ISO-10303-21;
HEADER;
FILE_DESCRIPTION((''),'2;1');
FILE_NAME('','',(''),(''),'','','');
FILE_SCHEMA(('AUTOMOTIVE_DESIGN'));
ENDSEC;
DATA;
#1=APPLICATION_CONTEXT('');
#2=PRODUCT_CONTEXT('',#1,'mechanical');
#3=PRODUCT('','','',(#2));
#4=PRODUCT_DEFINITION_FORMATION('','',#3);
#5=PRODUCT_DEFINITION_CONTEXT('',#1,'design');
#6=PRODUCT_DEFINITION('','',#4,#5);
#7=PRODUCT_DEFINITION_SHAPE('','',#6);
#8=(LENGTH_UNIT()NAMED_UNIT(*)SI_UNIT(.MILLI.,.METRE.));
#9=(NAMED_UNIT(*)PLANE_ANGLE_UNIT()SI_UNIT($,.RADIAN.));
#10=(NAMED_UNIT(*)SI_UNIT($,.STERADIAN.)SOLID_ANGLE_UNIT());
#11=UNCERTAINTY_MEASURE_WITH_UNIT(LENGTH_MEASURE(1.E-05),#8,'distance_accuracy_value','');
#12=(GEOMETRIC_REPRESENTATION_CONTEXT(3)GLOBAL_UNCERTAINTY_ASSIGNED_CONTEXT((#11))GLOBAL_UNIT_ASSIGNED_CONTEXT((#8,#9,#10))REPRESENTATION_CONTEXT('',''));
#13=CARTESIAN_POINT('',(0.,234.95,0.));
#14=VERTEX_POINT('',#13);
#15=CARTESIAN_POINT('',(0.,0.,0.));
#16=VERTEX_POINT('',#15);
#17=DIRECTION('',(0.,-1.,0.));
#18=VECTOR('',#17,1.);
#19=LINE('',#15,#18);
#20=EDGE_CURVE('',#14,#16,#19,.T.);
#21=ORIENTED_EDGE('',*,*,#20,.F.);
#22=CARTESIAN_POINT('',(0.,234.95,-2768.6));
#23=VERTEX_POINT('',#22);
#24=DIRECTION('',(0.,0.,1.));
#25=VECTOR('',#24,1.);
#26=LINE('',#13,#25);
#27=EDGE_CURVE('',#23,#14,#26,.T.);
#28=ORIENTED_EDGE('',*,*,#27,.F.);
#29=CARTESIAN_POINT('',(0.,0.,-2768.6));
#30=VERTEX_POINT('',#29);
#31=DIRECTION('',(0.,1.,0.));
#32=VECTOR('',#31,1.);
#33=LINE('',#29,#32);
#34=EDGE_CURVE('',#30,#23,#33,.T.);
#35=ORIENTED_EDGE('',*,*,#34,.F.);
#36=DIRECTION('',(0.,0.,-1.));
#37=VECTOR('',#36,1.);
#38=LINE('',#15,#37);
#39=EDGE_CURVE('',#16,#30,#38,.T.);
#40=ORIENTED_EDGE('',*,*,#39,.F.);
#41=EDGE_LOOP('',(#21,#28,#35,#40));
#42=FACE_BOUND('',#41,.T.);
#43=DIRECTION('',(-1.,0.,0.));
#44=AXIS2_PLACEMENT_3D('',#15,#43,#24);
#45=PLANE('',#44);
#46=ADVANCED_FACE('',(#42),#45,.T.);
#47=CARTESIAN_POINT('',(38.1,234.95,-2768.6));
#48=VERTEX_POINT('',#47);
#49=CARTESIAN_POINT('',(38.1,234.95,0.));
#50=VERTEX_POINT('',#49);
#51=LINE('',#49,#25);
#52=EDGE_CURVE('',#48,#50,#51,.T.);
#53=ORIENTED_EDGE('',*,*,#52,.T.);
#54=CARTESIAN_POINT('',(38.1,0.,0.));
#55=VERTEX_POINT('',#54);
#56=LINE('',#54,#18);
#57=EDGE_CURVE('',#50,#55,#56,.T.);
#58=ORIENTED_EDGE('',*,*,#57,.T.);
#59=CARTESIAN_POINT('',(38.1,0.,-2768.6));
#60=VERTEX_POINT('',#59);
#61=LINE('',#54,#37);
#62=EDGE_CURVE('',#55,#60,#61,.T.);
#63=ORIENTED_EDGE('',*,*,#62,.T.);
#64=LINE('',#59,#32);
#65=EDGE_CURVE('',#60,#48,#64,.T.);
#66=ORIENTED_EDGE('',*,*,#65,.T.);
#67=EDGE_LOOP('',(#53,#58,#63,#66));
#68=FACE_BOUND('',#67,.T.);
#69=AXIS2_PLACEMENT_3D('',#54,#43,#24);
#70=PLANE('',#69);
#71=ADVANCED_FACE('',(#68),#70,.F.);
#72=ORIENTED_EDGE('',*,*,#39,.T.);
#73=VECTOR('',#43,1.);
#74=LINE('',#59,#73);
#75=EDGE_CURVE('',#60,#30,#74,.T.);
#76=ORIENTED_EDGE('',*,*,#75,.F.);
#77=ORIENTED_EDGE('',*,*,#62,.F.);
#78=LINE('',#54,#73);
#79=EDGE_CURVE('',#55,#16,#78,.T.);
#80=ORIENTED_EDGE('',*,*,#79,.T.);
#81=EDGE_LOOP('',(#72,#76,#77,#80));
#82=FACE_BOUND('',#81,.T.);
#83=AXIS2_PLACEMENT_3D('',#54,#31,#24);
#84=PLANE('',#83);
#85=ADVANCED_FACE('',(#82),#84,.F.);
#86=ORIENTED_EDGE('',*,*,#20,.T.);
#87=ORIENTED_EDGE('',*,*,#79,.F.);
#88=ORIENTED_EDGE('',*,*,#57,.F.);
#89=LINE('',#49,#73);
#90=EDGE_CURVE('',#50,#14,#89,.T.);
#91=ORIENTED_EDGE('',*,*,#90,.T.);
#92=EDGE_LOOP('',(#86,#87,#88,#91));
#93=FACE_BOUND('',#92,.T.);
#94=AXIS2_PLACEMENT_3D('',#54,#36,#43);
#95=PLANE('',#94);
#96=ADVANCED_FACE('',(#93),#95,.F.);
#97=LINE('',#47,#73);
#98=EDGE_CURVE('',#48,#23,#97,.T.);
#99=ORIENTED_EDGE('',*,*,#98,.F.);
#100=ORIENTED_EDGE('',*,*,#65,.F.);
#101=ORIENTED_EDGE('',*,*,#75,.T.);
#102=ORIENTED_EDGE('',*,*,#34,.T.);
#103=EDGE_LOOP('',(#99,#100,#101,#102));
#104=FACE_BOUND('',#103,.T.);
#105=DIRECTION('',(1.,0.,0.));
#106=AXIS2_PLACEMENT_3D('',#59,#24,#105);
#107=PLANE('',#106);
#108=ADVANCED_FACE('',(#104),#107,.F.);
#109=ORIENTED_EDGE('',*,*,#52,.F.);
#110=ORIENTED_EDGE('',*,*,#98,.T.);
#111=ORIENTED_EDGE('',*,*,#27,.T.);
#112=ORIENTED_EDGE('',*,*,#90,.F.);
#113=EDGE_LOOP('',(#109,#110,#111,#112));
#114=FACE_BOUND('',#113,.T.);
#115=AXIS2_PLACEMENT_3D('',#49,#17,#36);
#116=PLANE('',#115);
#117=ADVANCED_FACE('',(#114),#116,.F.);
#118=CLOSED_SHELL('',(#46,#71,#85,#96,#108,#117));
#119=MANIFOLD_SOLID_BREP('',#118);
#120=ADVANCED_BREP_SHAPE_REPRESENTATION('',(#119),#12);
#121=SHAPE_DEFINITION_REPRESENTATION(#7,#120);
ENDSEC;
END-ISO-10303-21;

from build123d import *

# Parameters (mm, degrees)
SKETCH1_W           = 2768.6
SKETCH1_H           = 234.95
BOSS_EXTRUDE1_DEPTH = 38.1


with BuildPart() as part:
    # Sketch1 → Boss-Extrude1 (new body)
    with BuildSketch(Plane(origin=(0, 0, 0), x_dir=(0, 0, -1), z_dir=(1, 0, 0))):
        with Locations((1384.3, 117.475)):
            Rectangle(SKETCH1_W, SKETCH1_H)
    extrude(amount=BOSS_EXTRUDE1_DEPTH)


solid = part.part
